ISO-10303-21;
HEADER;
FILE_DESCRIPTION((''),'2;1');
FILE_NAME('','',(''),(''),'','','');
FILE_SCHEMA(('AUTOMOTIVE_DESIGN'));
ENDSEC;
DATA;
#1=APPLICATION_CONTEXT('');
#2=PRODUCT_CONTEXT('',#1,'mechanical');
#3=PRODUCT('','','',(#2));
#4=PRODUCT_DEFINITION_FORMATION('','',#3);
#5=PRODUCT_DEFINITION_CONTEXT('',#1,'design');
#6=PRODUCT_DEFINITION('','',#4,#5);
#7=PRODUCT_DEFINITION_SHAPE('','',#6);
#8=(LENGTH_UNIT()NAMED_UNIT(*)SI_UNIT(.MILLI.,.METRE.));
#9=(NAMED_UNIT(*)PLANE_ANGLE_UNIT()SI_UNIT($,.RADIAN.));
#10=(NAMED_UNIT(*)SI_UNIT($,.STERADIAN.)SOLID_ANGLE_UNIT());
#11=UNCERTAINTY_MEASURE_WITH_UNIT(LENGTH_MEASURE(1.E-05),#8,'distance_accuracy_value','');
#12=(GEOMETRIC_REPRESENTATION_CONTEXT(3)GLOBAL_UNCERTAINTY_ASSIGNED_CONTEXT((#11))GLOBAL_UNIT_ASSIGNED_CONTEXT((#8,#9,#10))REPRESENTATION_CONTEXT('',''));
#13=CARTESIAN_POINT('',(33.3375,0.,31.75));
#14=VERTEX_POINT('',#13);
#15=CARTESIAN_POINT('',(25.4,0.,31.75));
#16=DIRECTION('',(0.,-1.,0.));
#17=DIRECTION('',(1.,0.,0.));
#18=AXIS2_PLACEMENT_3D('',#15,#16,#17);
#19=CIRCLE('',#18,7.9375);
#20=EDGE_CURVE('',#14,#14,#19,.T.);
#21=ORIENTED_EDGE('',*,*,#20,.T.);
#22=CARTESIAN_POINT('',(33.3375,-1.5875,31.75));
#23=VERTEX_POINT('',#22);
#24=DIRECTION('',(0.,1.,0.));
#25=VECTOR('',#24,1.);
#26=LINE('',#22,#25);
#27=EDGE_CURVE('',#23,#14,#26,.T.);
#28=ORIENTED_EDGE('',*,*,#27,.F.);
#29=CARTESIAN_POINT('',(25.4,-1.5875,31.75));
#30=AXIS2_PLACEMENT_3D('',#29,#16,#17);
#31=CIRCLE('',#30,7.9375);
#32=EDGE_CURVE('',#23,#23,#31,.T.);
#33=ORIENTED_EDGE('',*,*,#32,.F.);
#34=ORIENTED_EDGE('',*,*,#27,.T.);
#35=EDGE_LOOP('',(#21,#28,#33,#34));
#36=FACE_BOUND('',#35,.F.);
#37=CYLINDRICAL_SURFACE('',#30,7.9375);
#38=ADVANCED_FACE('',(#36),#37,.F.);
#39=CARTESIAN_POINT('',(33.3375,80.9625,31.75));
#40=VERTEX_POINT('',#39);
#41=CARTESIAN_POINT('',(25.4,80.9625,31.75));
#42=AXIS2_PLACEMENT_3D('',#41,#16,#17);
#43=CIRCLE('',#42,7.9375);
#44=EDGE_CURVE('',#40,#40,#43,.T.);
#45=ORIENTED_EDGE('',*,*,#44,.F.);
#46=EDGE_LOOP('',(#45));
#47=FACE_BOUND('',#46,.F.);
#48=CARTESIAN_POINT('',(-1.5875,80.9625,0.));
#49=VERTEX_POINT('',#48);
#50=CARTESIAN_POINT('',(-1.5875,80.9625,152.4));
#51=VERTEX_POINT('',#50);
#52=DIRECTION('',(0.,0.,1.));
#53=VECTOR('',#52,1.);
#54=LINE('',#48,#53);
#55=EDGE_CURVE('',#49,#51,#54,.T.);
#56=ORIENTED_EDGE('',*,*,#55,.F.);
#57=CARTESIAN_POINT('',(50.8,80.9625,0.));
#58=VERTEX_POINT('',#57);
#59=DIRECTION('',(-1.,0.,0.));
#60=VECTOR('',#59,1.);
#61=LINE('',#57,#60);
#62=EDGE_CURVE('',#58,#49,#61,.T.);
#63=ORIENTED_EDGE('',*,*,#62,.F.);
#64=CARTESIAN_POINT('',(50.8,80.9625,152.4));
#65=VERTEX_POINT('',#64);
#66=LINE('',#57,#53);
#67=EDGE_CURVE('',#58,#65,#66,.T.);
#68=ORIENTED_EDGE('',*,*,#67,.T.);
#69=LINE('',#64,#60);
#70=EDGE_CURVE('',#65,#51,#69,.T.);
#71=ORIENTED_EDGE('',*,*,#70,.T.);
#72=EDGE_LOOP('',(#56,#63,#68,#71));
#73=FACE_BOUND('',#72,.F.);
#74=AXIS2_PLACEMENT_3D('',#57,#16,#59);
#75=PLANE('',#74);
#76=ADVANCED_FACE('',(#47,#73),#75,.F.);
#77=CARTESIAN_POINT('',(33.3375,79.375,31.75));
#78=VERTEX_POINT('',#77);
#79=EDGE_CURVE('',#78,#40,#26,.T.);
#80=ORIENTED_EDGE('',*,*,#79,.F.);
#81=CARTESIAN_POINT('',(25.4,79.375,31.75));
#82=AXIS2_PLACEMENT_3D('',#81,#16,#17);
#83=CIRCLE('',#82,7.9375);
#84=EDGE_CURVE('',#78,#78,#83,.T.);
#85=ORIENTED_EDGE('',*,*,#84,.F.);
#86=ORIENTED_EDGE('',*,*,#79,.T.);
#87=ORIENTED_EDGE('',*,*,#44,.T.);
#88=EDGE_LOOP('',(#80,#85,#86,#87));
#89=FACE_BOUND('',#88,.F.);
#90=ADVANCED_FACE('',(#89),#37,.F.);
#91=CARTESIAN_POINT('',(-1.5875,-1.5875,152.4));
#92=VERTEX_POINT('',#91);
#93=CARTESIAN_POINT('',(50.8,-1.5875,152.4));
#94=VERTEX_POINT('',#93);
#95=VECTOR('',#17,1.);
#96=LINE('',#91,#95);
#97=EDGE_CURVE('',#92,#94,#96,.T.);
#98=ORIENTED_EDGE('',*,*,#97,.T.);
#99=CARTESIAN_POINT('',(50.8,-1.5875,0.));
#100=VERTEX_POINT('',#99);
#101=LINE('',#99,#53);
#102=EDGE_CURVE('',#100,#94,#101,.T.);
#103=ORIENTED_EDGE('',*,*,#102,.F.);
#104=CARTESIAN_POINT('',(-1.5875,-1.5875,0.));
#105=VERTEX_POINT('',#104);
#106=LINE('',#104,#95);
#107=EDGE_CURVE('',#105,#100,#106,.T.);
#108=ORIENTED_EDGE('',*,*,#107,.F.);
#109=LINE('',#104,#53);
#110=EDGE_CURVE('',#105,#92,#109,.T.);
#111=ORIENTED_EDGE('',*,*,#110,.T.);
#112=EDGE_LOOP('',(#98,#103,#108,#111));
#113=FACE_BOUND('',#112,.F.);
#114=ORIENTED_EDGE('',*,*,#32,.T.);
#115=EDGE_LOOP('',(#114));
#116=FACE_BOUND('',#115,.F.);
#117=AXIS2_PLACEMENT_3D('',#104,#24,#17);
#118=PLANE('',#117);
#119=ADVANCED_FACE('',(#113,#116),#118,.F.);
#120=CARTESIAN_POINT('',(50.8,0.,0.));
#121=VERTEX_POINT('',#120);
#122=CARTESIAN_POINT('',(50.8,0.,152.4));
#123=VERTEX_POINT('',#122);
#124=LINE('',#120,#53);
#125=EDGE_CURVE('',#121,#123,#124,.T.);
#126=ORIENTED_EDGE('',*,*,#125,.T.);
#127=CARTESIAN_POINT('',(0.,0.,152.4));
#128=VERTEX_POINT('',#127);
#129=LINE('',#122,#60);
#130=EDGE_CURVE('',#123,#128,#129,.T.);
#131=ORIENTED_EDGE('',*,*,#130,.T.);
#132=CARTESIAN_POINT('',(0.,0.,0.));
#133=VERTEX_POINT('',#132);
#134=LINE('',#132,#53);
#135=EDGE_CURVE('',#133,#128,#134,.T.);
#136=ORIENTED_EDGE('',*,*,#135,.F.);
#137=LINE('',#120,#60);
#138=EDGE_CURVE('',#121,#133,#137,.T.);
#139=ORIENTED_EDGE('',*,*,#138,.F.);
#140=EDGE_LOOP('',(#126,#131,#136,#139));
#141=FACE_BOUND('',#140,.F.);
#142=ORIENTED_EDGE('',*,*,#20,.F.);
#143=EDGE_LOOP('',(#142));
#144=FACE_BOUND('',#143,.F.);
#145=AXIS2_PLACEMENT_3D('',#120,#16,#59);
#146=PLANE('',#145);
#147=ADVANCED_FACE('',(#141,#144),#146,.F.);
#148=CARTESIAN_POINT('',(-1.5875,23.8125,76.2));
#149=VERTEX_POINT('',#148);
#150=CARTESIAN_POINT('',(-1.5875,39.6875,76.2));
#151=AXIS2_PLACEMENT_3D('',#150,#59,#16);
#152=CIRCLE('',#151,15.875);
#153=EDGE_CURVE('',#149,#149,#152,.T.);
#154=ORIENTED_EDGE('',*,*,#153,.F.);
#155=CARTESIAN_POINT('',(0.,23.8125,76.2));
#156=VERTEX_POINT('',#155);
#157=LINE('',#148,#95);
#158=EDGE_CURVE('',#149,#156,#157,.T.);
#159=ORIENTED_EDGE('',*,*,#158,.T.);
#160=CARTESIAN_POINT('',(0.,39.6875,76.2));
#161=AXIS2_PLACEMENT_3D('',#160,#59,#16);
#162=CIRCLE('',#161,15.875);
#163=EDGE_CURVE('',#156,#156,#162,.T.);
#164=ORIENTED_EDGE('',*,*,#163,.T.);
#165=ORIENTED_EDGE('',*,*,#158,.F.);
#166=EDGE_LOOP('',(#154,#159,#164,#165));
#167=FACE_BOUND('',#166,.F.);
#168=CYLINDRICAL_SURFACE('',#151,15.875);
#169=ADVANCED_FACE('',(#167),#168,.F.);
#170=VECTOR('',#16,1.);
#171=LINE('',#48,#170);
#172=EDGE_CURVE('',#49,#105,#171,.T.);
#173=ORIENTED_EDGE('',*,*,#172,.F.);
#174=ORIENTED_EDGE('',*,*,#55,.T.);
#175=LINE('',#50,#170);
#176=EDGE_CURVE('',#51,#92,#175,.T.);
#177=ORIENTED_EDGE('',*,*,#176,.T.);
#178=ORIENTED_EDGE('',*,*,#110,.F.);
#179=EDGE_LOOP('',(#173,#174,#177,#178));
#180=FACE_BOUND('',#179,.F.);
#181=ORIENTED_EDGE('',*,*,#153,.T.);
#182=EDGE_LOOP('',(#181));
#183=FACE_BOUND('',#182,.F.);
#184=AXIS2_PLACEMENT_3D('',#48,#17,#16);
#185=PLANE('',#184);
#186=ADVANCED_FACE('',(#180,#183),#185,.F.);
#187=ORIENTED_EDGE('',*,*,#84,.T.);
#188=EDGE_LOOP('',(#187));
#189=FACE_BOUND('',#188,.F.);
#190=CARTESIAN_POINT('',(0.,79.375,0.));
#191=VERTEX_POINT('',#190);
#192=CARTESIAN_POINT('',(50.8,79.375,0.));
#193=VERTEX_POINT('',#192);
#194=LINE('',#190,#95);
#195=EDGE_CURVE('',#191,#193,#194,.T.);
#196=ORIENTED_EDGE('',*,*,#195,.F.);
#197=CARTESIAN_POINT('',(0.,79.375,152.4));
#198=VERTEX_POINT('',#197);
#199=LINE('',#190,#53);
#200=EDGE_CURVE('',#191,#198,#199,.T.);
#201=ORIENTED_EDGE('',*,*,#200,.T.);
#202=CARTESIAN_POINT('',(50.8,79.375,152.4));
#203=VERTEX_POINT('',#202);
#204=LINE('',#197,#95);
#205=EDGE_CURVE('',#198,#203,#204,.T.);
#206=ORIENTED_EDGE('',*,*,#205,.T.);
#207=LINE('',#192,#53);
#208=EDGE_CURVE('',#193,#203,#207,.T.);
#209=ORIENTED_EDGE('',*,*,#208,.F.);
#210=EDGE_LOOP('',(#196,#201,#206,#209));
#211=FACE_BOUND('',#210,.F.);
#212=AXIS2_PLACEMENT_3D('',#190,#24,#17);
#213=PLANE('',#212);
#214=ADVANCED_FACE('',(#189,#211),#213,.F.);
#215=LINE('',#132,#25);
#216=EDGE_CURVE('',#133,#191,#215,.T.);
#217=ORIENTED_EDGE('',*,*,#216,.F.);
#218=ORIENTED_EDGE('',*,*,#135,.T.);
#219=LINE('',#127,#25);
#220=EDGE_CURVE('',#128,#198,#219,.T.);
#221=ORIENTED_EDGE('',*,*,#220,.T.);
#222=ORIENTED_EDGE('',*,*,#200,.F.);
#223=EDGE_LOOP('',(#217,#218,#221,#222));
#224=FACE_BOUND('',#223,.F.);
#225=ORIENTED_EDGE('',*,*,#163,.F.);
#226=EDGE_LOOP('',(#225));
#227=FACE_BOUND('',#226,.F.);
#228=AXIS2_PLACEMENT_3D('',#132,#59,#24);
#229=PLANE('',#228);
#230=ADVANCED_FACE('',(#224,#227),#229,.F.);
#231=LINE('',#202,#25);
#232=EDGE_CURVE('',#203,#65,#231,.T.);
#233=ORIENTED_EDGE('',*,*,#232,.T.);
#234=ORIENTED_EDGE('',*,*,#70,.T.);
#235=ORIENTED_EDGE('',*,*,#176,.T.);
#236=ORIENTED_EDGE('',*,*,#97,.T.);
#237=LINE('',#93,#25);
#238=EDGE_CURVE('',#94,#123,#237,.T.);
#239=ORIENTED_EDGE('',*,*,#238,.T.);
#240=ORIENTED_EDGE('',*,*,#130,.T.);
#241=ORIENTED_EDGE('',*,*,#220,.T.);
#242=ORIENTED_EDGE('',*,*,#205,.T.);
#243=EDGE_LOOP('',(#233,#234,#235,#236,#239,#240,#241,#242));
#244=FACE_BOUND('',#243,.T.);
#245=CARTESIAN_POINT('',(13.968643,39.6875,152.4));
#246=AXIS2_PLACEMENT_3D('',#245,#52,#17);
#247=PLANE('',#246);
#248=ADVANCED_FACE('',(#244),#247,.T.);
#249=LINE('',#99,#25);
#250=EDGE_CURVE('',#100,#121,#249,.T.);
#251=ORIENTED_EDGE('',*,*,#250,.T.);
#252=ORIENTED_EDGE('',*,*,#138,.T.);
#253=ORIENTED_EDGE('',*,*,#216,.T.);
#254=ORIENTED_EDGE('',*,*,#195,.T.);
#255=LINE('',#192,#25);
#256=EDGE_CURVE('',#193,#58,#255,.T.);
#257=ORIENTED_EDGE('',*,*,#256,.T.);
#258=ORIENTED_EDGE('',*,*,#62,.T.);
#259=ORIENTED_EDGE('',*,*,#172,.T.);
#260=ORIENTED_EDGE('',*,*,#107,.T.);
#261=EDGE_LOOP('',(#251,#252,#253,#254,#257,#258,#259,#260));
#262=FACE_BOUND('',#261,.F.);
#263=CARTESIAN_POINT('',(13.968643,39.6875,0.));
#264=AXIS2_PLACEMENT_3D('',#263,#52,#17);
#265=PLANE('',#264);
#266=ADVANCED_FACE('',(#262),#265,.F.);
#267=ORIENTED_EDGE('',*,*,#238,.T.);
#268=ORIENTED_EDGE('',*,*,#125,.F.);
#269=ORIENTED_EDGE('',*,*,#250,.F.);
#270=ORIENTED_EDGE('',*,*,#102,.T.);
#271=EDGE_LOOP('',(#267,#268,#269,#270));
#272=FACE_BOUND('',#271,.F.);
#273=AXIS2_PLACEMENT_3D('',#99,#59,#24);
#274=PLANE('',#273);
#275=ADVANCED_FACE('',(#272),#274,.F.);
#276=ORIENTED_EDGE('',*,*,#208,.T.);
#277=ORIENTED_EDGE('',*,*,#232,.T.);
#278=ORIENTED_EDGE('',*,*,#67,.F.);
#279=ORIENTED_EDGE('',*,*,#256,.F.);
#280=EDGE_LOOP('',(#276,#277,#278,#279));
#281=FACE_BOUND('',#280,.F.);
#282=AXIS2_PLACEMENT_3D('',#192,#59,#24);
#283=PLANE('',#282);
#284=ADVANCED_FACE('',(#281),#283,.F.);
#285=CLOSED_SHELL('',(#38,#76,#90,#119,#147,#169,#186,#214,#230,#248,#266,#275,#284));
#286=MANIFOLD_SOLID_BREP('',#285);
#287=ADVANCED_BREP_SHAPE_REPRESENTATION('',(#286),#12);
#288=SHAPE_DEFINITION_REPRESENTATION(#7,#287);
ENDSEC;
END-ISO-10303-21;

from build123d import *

# Parameters (mm, degrees)
F1_DEPTH = 152.4
F2_R     = 15.875
F3_DEPTH = 25.4
F4_R     = 7.9375
F5_DEPTH = 82.55


with BuildPart() as f1:
    # F0 (on Top) → F1 (new body)
    with BuildSketch(Plane.XY):
        Polygon((0, 79.375), (50.8, 79.375), (50.8, 80.9625), (-1.5875, 80.9625), (-1.5875, -1.5875), (50.8, -1.5875), (50.8, 0), (0, 0), align=None)
    extrude(amount=F1_DEPTH)

    # F2 (on face) → F3 (cut)
    with BuildSketch(Plane(origin=(-1.5875, 0, 0), x_dir=(0, -1, 0), z_dir=(-1, 0, 0))):
        with Locations((-39.6875, 76.2)):
            Circle(F2_R)
    extrude(amount=-F3_DEPTH, mode=Mode.SUBTRACT)

    # F4 (on face) → F5 (cut, through all)
    with BuildSketch(Plane.XZ.offset(1.5875)):
        with Locations((25.4, 31.75)):
            Circle(F4_R)
    extrude(amount=-F5_DEPTH, mode=Mode.SUBTRACT)


solid = f1.part
